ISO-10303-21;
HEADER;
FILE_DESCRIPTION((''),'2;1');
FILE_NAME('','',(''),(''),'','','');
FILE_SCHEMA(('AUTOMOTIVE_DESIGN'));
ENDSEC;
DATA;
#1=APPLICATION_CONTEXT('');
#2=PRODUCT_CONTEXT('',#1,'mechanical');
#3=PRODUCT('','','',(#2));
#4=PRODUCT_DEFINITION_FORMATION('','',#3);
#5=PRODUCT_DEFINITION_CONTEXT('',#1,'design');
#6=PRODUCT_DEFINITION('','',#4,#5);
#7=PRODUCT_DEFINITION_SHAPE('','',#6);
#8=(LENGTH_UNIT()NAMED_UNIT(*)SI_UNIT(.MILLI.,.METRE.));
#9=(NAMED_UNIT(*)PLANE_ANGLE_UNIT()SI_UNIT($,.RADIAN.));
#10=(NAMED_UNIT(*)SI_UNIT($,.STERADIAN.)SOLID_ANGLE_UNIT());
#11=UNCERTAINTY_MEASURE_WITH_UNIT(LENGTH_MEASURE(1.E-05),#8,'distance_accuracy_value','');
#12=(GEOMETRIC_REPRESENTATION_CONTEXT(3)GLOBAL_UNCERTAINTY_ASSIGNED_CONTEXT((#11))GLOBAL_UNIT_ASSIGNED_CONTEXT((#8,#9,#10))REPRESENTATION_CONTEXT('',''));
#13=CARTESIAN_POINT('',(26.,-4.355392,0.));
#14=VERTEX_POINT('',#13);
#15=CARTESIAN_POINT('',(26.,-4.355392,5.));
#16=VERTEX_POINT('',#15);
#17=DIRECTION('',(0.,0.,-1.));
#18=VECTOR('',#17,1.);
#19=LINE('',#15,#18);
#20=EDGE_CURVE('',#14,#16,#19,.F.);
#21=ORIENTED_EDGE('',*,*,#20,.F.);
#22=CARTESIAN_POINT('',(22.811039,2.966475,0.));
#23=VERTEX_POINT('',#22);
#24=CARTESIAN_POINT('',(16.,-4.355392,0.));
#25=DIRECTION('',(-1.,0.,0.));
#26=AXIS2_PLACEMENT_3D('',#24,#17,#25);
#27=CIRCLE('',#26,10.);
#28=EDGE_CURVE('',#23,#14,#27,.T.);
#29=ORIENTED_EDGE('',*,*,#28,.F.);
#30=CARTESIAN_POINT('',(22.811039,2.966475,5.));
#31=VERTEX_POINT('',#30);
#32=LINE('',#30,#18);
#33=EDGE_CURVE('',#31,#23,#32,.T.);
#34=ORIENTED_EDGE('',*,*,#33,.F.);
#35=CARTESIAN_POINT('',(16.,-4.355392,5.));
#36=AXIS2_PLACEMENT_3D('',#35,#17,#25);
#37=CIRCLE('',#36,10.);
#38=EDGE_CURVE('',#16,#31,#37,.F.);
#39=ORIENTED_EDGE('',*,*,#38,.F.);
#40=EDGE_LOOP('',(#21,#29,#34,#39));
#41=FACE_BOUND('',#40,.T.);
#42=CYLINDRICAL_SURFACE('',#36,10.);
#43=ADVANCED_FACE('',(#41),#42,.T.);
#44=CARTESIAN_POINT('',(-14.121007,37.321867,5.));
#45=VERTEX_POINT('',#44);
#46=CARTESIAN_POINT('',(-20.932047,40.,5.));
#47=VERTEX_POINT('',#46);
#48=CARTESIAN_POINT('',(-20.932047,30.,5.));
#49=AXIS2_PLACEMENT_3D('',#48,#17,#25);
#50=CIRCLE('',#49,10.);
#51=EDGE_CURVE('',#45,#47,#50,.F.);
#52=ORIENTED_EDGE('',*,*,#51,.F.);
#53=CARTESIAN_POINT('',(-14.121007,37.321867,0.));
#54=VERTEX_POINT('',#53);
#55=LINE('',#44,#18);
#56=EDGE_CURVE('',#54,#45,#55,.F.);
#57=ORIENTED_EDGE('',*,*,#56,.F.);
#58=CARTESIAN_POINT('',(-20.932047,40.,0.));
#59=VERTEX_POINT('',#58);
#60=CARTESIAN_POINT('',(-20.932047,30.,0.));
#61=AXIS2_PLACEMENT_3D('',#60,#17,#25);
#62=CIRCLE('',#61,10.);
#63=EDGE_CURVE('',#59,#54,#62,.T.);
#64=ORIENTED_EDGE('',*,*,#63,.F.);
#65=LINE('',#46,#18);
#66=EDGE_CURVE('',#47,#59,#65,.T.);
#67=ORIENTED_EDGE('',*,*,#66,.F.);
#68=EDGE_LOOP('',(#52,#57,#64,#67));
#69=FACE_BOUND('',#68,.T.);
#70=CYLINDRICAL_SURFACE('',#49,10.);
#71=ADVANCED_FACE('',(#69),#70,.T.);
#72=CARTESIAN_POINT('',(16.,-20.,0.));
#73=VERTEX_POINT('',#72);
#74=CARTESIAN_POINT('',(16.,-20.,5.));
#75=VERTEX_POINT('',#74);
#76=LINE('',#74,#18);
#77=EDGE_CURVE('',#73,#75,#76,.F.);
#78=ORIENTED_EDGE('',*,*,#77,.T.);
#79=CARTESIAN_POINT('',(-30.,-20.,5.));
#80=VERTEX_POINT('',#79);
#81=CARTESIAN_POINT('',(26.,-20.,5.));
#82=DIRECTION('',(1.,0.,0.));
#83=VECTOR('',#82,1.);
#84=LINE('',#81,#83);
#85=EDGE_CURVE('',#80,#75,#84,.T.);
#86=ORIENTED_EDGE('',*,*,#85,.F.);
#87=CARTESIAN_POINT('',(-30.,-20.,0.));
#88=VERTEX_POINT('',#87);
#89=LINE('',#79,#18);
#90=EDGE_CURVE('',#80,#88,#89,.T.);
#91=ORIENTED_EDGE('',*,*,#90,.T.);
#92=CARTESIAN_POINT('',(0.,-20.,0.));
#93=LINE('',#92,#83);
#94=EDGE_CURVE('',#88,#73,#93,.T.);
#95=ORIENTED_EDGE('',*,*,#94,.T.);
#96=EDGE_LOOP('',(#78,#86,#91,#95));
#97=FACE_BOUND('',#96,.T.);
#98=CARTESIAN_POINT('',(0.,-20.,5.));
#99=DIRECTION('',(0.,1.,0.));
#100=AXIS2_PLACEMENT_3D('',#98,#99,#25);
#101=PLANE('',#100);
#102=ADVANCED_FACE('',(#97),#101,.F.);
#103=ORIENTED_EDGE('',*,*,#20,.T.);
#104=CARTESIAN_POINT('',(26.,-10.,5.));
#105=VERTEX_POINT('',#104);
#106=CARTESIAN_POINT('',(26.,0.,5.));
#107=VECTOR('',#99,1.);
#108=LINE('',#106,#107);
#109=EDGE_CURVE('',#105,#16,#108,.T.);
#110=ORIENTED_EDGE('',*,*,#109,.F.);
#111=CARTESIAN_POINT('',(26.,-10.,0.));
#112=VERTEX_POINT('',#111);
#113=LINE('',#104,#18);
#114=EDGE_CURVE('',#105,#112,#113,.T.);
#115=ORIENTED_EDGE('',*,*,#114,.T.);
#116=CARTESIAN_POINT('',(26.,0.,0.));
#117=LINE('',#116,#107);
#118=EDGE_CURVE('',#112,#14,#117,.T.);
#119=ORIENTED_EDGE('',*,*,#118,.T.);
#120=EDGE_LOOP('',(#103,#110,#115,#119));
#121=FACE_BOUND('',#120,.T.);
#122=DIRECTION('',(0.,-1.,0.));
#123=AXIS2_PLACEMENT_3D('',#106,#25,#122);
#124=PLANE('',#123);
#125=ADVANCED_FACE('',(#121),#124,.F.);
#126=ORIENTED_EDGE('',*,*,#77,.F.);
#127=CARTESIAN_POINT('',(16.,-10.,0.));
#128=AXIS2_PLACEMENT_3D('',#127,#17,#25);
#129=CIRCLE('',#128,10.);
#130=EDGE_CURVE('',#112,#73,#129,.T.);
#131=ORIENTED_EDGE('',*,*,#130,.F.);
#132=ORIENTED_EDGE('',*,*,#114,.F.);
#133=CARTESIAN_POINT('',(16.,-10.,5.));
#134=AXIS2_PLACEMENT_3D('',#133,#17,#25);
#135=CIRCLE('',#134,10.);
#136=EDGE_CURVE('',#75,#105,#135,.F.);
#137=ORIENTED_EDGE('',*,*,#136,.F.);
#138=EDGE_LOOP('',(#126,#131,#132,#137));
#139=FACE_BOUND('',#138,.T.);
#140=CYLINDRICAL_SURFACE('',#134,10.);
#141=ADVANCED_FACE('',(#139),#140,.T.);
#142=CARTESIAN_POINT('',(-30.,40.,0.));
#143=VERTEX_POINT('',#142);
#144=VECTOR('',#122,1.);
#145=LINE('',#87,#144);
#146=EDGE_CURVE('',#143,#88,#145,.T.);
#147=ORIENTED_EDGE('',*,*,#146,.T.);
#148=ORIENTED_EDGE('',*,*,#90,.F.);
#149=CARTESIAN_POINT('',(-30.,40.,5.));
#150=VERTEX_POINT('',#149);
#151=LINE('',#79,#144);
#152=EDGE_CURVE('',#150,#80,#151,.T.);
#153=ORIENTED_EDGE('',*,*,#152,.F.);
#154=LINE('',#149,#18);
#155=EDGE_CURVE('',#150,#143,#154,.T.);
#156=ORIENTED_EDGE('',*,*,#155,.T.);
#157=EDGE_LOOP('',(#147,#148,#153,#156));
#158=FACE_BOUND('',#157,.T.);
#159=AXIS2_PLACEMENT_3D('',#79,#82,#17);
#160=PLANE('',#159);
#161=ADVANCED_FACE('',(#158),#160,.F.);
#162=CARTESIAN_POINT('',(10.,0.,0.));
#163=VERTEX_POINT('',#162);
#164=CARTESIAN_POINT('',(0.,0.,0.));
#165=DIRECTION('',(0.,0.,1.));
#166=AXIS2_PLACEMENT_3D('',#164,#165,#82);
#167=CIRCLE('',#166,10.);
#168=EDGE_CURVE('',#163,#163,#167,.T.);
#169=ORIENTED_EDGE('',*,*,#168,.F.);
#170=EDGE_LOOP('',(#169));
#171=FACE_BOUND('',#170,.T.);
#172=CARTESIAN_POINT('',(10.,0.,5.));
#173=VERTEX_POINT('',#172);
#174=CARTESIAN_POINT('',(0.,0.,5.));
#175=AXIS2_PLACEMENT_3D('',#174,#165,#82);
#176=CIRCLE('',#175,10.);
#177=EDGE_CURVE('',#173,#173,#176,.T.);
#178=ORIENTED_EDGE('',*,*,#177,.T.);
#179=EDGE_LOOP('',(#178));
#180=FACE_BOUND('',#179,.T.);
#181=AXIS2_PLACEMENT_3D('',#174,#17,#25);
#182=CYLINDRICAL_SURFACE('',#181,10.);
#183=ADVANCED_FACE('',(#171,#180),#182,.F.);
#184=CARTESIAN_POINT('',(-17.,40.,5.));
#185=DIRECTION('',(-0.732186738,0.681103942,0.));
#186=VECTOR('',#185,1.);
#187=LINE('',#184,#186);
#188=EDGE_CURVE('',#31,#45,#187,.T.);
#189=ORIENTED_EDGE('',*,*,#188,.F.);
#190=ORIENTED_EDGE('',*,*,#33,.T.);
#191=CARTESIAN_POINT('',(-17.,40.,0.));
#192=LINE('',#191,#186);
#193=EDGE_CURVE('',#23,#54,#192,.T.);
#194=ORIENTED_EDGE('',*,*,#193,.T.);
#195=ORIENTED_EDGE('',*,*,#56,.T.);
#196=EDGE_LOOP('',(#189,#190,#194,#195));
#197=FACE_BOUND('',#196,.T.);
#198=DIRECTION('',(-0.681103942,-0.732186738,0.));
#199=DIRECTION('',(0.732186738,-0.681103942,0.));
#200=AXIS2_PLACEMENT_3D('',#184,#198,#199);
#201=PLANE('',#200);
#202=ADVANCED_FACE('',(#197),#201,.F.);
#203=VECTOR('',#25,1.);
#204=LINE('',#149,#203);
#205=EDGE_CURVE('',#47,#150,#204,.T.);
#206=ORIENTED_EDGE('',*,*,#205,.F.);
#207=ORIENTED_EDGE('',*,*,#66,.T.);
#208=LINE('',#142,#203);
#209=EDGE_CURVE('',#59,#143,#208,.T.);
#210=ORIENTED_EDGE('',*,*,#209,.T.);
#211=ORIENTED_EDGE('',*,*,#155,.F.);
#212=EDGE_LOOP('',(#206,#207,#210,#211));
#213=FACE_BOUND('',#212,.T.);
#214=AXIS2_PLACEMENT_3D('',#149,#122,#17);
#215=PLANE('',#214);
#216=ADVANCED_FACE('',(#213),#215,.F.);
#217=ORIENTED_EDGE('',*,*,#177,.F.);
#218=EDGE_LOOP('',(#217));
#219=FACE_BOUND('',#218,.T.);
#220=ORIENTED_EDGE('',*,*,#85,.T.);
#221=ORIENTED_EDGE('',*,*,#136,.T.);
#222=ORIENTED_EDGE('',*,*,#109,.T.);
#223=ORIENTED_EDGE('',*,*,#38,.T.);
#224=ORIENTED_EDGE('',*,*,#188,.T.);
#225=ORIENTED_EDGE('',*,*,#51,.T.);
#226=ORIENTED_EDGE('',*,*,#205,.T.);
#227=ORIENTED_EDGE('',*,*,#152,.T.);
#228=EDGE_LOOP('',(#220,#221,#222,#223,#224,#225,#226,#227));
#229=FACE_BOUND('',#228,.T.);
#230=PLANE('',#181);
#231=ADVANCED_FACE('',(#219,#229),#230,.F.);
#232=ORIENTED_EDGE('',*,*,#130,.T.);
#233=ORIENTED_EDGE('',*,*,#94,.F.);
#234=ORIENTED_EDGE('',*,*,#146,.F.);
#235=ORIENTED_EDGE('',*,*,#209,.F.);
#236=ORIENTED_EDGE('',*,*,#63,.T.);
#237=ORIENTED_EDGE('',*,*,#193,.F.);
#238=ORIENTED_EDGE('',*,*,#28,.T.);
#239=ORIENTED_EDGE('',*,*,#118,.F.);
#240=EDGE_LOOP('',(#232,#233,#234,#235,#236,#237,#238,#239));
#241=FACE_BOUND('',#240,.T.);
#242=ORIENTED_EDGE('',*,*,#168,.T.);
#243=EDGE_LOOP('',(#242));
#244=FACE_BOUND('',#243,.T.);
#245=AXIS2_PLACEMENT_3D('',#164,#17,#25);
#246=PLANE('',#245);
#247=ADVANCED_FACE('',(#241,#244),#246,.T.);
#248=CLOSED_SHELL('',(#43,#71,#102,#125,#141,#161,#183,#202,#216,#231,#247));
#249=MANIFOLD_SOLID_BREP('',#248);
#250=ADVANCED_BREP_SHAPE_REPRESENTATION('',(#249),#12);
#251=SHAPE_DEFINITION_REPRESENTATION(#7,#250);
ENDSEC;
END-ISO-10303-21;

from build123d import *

# Parameters (mm, degrees)
SKETCH1_R           = 10
BOSS_EXTRUDE1_DEPTH = 5
FILLET1_R           = 10


with BuildPart() as part:
    # Sketch1 → Boss-Extrude1 (new body)
    with BuildSketch(Plane.XY):
        Polygon((0, -20), (-30, -20), (-30, 40), (-17, 40), (26, 0), (26, -20), align=None)
        Circle(SKETCH1_R, mode=Mode.SUBTRACT)
    extrude(amount=BOSS_EXTRUDE1_DEPTH)

    # Fillet1
    fillet1_edges = [part.edges().sort_by_distance(p)[0] for p in [
        (-17, 40, 2.5),
        (26, 0, 2.5),
        (26, -20, 2.5),
    ]]
    fillet(fillet1_edges, radius=FILLET1_R)


solid = part.part
